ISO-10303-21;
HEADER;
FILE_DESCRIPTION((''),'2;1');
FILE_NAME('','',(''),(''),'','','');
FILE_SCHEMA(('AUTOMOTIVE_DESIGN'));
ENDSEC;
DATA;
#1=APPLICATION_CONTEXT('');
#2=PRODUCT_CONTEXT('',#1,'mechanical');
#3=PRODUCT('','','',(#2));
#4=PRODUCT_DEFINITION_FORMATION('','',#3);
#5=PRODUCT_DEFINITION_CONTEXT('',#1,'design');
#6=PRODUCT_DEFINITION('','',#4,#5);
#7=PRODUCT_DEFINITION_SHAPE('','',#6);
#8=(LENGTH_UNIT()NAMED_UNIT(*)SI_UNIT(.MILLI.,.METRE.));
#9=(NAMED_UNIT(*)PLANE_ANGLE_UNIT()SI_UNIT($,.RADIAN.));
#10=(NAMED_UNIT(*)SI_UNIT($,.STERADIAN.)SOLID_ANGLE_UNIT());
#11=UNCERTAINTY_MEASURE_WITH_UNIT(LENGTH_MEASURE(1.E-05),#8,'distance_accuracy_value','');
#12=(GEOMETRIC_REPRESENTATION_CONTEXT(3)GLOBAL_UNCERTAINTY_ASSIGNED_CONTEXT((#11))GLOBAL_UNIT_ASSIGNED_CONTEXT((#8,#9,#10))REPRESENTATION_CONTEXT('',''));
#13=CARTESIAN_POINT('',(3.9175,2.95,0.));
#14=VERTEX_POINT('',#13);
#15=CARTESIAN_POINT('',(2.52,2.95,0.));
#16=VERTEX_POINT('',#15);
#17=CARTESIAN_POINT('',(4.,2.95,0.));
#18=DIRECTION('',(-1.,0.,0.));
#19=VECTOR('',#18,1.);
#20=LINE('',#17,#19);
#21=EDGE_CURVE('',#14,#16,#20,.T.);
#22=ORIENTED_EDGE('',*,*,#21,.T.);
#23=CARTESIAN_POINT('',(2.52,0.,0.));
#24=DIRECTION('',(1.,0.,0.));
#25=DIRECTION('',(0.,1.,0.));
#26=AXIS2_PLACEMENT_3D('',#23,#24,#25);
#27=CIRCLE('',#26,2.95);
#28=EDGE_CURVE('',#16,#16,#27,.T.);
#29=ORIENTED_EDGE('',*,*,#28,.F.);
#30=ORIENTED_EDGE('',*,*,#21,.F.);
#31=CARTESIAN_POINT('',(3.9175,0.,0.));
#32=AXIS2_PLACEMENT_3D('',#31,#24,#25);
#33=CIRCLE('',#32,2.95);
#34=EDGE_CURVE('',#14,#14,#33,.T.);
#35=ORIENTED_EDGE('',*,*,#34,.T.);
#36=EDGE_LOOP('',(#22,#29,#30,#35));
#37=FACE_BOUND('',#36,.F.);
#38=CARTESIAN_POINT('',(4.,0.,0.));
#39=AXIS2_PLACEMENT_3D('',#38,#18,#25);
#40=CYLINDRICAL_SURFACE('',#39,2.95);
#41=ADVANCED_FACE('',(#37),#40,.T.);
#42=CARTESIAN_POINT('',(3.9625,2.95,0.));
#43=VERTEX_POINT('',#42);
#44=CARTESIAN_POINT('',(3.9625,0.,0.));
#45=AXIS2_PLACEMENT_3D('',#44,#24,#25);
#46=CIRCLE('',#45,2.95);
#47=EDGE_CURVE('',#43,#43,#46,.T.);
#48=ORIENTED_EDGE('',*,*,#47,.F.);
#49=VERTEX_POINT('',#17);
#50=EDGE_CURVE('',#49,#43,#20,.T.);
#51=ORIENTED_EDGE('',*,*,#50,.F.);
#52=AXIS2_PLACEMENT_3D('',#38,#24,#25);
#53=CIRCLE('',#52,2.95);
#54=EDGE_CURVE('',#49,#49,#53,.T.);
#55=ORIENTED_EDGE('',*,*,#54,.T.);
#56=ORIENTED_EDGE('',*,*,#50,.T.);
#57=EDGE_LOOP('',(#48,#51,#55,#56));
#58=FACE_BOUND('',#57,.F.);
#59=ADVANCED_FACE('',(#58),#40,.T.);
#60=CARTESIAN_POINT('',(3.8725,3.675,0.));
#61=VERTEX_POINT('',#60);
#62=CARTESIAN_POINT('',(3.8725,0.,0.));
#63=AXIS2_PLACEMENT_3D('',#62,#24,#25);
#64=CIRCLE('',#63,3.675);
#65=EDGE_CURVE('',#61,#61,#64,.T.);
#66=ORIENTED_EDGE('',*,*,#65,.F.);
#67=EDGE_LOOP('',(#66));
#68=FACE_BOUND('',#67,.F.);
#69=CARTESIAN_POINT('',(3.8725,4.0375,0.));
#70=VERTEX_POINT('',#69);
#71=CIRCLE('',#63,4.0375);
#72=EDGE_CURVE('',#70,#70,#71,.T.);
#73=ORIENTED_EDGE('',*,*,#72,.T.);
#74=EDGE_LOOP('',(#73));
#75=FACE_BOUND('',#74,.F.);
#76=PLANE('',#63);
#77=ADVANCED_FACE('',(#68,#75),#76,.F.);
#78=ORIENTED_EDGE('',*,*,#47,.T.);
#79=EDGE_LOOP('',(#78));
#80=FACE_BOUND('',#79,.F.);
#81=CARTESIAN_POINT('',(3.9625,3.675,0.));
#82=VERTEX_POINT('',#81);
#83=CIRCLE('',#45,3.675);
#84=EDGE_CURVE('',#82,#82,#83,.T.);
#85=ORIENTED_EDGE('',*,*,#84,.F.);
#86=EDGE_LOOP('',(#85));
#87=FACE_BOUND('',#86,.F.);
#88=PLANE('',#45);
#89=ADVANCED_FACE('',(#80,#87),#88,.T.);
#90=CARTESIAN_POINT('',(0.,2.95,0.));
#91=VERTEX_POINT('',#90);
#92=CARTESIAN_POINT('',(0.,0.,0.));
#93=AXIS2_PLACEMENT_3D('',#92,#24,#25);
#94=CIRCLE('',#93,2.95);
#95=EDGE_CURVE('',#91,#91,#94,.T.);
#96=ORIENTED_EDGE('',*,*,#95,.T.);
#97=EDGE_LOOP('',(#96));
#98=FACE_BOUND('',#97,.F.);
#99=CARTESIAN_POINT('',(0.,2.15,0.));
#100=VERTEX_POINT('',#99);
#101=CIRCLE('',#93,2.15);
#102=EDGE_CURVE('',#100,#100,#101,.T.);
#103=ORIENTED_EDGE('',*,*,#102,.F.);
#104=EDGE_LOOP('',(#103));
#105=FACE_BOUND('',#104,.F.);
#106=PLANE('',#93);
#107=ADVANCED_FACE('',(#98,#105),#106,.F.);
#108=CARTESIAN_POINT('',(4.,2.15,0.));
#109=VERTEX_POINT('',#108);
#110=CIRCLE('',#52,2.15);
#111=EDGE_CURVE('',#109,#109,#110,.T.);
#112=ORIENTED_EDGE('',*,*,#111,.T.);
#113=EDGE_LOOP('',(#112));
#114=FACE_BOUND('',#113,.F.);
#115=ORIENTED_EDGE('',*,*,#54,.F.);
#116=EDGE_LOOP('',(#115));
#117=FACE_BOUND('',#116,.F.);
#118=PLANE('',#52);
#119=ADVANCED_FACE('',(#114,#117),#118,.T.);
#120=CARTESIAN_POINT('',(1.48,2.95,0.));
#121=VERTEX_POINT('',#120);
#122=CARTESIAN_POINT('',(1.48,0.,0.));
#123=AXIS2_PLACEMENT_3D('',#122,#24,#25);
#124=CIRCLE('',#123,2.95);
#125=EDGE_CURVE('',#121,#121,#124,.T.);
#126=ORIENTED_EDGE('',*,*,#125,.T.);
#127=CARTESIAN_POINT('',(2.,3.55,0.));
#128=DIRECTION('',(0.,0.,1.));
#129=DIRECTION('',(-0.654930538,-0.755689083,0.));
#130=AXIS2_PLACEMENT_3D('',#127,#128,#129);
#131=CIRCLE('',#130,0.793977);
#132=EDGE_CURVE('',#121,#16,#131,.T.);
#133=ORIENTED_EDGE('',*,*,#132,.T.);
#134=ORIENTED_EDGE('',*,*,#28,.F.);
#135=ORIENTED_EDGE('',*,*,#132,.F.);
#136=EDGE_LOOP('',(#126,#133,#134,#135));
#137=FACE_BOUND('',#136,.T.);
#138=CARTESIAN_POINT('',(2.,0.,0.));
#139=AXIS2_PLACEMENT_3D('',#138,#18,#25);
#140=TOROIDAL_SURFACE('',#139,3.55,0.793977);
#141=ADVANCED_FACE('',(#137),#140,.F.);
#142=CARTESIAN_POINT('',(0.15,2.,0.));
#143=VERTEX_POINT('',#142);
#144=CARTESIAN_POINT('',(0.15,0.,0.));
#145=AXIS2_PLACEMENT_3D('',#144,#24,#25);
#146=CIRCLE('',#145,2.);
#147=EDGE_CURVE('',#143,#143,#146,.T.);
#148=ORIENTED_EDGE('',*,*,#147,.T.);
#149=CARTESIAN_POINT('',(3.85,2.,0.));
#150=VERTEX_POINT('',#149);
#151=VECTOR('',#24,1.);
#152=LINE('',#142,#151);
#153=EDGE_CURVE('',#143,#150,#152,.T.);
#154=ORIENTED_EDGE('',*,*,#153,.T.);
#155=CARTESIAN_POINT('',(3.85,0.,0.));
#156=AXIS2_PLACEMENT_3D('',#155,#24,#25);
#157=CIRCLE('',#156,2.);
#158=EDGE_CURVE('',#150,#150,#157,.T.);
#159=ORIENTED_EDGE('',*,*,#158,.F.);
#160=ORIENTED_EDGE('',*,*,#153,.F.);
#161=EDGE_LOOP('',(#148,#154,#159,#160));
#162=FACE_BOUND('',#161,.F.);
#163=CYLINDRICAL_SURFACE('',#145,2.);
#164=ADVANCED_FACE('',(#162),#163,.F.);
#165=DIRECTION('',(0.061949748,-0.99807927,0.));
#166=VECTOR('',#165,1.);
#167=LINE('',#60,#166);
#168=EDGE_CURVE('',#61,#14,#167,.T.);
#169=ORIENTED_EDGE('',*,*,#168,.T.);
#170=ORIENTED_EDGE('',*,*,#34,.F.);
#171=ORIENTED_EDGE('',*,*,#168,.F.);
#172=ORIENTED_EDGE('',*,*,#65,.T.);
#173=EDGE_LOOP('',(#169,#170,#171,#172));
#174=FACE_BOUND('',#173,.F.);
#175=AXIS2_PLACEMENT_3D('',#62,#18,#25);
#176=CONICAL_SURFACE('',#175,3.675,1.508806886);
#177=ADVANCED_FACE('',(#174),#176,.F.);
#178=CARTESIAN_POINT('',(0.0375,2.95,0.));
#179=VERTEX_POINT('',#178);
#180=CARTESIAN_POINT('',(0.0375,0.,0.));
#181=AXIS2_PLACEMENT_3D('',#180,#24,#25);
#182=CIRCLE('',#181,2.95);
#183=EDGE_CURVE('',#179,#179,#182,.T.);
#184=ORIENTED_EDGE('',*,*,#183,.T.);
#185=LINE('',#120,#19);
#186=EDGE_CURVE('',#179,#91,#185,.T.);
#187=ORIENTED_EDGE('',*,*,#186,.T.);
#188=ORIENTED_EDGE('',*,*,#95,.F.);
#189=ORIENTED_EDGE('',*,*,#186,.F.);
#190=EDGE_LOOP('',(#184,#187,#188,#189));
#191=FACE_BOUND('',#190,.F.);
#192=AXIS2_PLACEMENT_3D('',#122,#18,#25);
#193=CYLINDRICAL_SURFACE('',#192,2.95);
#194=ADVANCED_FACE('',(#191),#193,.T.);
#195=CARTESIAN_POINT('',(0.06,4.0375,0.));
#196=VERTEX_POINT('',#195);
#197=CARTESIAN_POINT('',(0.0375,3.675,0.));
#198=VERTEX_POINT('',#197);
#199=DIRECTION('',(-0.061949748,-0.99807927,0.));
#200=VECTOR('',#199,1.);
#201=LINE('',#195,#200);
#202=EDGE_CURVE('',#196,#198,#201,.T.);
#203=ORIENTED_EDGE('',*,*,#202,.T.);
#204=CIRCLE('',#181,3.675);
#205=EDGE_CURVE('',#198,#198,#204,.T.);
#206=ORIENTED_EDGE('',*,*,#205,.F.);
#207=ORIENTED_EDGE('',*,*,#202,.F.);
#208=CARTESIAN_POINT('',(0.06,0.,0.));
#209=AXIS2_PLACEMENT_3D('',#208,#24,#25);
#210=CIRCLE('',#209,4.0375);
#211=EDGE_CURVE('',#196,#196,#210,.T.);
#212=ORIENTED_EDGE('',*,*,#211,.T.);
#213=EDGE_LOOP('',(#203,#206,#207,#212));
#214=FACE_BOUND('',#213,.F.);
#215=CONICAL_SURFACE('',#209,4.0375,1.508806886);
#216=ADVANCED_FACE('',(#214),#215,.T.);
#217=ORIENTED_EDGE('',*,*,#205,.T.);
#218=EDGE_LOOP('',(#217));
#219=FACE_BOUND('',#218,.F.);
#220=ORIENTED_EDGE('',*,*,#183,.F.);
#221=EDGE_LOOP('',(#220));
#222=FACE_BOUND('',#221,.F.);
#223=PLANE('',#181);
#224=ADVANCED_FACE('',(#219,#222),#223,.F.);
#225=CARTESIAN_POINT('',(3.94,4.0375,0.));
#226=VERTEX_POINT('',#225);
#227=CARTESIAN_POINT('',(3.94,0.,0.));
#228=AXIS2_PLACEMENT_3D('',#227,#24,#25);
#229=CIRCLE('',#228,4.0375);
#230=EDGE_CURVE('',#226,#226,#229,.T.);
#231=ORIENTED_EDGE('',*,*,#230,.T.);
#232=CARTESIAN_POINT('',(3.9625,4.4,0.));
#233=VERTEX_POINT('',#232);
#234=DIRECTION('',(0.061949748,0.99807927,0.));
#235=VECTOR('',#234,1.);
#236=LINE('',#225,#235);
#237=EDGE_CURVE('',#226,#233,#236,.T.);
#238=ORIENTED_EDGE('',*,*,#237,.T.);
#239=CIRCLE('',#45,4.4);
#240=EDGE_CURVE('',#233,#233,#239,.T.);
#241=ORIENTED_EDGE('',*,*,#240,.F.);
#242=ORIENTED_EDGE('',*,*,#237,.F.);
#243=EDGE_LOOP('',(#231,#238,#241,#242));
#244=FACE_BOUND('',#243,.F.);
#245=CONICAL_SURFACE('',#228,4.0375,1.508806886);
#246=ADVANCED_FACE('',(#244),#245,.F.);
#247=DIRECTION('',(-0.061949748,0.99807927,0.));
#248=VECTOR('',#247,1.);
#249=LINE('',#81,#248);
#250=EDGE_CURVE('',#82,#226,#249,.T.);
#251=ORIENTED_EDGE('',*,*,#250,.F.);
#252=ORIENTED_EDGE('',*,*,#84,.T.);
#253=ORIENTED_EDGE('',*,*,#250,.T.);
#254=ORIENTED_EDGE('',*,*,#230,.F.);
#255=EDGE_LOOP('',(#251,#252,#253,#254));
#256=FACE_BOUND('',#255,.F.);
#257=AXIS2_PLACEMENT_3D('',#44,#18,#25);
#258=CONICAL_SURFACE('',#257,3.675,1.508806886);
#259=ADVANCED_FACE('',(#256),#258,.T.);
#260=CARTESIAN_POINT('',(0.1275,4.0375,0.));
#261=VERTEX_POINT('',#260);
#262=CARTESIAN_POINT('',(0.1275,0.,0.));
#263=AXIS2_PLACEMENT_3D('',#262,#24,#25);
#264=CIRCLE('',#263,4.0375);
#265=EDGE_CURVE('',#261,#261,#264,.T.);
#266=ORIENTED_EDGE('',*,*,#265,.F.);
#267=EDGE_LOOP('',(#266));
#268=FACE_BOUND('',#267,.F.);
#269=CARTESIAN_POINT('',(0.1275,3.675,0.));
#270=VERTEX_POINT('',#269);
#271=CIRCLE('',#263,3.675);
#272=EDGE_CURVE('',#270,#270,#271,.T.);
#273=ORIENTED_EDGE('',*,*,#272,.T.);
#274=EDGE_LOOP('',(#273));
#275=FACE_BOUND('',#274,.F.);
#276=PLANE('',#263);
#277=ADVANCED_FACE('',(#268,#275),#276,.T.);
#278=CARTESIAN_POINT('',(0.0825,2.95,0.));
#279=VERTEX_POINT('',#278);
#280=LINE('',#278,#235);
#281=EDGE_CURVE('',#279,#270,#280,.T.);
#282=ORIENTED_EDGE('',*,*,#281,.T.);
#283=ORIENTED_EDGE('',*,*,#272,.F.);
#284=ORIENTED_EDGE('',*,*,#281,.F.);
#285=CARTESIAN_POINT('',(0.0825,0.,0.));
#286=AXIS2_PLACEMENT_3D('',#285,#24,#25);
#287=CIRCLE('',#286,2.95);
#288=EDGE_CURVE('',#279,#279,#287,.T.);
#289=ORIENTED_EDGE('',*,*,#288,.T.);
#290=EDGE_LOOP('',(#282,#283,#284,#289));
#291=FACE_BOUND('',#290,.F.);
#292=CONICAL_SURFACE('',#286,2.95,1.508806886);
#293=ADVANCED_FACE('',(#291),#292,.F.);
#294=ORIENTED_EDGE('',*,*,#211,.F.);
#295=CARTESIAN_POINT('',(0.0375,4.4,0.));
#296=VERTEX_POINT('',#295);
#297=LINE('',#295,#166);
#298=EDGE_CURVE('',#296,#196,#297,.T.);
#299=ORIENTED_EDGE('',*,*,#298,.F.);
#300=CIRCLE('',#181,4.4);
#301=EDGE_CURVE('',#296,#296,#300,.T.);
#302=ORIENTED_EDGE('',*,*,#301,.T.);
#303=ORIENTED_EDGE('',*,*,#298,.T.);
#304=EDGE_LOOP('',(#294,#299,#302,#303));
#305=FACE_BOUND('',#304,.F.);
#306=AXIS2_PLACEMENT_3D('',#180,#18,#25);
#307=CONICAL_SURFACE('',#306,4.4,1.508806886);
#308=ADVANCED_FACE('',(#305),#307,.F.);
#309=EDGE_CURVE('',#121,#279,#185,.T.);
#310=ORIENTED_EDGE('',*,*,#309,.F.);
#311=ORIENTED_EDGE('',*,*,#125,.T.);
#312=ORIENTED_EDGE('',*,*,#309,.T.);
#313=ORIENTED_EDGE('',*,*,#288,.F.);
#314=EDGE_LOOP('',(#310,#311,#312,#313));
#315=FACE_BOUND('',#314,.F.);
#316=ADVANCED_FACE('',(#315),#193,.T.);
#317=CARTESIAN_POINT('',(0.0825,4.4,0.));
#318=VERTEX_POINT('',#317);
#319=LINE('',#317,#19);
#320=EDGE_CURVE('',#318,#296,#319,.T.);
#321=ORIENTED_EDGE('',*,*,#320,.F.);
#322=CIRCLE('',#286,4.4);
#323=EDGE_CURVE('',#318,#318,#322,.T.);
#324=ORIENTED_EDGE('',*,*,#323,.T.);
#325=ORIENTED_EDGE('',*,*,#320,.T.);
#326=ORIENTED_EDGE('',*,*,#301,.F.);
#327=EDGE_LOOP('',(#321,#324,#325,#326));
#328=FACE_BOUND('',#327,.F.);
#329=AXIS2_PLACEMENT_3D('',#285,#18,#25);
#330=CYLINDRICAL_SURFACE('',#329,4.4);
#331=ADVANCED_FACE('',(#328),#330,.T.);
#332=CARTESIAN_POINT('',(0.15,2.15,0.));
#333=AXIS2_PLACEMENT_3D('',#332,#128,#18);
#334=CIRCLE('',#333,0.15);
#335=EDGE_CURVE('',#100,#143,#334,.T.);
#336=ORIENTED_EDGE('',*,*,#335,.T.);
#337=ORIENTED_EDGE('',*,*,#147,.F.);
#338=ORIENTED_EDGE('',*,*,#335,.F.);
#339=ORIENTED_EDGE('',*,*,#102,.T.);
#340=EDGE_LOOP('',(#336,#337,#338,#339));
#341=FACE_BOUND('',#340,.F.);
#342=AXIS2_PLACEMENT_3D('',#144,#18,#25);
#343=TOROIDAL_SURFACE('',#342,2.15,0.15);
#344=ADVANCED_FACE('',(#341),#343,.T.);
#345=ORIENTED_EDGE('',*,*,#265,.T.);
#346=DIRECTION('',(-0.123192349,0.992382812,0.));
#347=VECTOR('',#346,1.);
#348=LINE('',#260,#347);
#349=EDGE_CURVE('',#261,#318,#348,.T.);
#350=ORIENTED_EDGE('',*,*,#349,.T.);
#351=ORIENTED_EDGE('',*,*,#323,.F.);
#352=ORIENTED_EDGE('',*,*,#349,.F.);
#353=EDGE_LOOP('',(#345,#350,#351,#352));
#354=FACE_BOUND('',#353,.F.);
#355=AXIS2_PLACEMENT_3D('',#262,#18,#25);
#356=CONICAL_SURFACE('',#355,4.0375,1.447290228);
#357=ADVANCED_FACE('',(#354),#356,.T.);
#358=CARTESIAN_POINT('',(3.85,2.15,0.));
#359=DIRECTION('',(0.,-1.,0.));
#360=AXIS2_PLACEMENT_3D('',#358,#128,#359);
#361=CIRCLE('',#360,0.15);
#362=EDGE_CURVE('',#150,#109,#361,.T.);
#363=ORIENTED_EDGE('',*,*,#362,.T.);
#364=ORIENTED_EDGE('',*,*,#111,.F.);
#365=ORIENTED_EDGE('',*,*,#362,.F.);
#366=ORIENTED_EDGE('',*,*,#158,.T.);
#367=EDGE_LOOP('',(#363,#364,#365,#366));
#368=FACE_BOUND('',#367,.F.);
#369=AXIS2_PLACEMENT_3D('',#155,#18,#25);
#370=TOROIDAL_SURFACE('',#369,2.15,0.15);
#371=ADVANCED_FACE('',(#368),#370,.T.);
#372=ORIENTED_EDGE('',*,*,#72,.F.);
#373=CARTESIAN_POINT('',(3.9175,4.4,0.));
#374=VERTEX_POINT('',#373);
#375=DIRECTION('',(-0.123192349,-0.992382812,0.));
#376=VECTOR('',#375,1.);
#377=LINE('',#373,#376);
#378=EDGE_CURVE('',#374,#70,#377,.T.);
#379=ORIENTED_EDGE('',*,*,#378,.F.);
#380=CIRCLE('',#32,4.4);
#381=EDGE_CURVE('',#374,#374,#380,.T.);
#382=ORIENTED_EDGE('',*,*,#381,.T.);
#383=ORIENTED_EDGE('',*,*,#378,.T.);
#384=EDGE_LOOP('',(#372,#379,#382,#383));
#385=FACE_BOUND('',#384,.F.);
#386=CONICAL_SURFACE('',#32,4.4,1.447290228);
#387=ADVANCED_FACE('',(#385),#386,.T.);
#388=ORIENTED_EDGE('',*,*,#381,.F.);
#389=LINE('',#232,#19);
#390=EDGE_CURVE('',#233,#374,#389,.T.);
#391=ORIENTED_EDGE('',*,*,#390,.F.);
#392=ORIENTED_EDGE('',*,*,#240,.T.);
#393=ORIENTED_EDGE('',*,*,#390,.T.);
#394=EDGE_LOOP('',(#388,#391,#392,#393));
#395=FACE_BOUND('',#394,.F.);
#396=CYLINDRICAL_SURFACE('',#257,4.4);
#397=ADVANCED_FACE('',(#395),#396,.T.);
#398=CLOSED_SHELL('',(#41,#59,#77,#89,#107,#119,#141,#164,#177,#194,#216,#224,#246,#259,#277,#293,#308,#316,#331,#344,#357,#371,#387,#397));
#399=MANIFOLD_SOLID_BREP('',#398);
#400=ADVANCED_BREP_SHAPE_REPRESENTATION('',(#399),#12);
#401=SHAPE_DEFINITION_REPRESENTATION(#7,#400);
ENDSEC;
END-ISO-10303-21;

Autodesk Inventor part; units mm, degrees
ref_plane "YZ Plane" through (0, 0, 0) normal (1, 0, 0) x (0, 1, 0)
ref_plane "XZ Plane" through (0, 0, 0) normal (0, 1, 0) x (-1, 0, 0)
ref_plane "XY Plane" through (0, 0, 0) normal (0, 0, 1) x (1, 0, 0)
sketch "Sketch_13" plane through (0, 0, 0) normal (0, 0, 1) x (1, 0, 0)
  line L0 (2, 0) -> (-2, 0)
  arc A0 (0, 2.15) -> (0.15, 2) centre (0.15, 2.15) ccw
  line L1 (0.15, 2) -> (3.85, 2)
  arc A1 (3.85, 2) -> (4, 2.15) centre (3.85, 2.15) ccw
  line L2 (4, 2.15) -> (4, 2.95)
  line L3 (4, 2.95) -> (2.52, 2.95)
  arc A2 (1.48, 2.95) -> (2.52, 2.95) centre (2, 3.55) ccw
  line L4 (1.48, 2.95) -> (0, 2.95)
  line L5 (0, 2.95) -> (0, 2.15)
revolve "Revolution1" add sketch "Sketch_13" angle 360 about axis through (2, 0, 0) along (1, 0, 0)
sketch "Sketch_25" plane through (0, 0, 0) normal (0, 0, 1) x (1, 0, 0)
  line L0 (50, 0) -> (-50, 0)
  line L1 (0.0375, 4.4) -> (0.06, 4.0375)
  line L2 (0.06, 4.0375) -> (0.0375, 3.675)
  line L3 (0.0375, 3.675) -> (0.0375, 2.95)
  line L4 (0.0375, 2.95) -> (0.0825, 2.95)
  line L5 (0.0825, 2.95) -> (0.1275, 3.675)
  line L6 (0.1275, 3.675) -> (0.1275, 4.0375)
  line L7 (0.1275, 4.0375) -> (0.0825, 4.4)
  line L8 (0.0825, 4.4) -> (0.0375, 4.4)
revolve "Revolution2" add sketch "Sketch_25" angle 360 about axis through (50, 0, 0) along (1, 0, 0)
sketch "Sketch_26" plane through (0, 0, 0) normal (0, 0, 1) x (1, 0, 0)
  line L0 (50, 0) -> (-50, 0)
  line L1 (3.8725, 4.0375) -> (3.8725, 3.675)
  line L2 (3.8725, 3.675) -> (3.9175, 2.95)
  line L3 (3.9175, 2.95) -> (3.9625, 2.95)
  line L4 (3.9625, 2.95) -> (3.9625, 3.675)
  line L5 (3.9625, 3.675) -> (3.94, 4.0375)
  line L6 (3.94, 4.0375) -> (3.9625, 4.4)
  line L7 (3.9625, 4.4) -> (3.9175, 4.4)
  line L8 (3.9175, 4.4) -> (3.8725, 4.0375)
revolve "Revolution3" add sketch "Sketch_26" angle 360 about axis through (50, 0, 0) along (1, 0, 0)
properties part number "W 638/4 XR-2Z_PART1"
